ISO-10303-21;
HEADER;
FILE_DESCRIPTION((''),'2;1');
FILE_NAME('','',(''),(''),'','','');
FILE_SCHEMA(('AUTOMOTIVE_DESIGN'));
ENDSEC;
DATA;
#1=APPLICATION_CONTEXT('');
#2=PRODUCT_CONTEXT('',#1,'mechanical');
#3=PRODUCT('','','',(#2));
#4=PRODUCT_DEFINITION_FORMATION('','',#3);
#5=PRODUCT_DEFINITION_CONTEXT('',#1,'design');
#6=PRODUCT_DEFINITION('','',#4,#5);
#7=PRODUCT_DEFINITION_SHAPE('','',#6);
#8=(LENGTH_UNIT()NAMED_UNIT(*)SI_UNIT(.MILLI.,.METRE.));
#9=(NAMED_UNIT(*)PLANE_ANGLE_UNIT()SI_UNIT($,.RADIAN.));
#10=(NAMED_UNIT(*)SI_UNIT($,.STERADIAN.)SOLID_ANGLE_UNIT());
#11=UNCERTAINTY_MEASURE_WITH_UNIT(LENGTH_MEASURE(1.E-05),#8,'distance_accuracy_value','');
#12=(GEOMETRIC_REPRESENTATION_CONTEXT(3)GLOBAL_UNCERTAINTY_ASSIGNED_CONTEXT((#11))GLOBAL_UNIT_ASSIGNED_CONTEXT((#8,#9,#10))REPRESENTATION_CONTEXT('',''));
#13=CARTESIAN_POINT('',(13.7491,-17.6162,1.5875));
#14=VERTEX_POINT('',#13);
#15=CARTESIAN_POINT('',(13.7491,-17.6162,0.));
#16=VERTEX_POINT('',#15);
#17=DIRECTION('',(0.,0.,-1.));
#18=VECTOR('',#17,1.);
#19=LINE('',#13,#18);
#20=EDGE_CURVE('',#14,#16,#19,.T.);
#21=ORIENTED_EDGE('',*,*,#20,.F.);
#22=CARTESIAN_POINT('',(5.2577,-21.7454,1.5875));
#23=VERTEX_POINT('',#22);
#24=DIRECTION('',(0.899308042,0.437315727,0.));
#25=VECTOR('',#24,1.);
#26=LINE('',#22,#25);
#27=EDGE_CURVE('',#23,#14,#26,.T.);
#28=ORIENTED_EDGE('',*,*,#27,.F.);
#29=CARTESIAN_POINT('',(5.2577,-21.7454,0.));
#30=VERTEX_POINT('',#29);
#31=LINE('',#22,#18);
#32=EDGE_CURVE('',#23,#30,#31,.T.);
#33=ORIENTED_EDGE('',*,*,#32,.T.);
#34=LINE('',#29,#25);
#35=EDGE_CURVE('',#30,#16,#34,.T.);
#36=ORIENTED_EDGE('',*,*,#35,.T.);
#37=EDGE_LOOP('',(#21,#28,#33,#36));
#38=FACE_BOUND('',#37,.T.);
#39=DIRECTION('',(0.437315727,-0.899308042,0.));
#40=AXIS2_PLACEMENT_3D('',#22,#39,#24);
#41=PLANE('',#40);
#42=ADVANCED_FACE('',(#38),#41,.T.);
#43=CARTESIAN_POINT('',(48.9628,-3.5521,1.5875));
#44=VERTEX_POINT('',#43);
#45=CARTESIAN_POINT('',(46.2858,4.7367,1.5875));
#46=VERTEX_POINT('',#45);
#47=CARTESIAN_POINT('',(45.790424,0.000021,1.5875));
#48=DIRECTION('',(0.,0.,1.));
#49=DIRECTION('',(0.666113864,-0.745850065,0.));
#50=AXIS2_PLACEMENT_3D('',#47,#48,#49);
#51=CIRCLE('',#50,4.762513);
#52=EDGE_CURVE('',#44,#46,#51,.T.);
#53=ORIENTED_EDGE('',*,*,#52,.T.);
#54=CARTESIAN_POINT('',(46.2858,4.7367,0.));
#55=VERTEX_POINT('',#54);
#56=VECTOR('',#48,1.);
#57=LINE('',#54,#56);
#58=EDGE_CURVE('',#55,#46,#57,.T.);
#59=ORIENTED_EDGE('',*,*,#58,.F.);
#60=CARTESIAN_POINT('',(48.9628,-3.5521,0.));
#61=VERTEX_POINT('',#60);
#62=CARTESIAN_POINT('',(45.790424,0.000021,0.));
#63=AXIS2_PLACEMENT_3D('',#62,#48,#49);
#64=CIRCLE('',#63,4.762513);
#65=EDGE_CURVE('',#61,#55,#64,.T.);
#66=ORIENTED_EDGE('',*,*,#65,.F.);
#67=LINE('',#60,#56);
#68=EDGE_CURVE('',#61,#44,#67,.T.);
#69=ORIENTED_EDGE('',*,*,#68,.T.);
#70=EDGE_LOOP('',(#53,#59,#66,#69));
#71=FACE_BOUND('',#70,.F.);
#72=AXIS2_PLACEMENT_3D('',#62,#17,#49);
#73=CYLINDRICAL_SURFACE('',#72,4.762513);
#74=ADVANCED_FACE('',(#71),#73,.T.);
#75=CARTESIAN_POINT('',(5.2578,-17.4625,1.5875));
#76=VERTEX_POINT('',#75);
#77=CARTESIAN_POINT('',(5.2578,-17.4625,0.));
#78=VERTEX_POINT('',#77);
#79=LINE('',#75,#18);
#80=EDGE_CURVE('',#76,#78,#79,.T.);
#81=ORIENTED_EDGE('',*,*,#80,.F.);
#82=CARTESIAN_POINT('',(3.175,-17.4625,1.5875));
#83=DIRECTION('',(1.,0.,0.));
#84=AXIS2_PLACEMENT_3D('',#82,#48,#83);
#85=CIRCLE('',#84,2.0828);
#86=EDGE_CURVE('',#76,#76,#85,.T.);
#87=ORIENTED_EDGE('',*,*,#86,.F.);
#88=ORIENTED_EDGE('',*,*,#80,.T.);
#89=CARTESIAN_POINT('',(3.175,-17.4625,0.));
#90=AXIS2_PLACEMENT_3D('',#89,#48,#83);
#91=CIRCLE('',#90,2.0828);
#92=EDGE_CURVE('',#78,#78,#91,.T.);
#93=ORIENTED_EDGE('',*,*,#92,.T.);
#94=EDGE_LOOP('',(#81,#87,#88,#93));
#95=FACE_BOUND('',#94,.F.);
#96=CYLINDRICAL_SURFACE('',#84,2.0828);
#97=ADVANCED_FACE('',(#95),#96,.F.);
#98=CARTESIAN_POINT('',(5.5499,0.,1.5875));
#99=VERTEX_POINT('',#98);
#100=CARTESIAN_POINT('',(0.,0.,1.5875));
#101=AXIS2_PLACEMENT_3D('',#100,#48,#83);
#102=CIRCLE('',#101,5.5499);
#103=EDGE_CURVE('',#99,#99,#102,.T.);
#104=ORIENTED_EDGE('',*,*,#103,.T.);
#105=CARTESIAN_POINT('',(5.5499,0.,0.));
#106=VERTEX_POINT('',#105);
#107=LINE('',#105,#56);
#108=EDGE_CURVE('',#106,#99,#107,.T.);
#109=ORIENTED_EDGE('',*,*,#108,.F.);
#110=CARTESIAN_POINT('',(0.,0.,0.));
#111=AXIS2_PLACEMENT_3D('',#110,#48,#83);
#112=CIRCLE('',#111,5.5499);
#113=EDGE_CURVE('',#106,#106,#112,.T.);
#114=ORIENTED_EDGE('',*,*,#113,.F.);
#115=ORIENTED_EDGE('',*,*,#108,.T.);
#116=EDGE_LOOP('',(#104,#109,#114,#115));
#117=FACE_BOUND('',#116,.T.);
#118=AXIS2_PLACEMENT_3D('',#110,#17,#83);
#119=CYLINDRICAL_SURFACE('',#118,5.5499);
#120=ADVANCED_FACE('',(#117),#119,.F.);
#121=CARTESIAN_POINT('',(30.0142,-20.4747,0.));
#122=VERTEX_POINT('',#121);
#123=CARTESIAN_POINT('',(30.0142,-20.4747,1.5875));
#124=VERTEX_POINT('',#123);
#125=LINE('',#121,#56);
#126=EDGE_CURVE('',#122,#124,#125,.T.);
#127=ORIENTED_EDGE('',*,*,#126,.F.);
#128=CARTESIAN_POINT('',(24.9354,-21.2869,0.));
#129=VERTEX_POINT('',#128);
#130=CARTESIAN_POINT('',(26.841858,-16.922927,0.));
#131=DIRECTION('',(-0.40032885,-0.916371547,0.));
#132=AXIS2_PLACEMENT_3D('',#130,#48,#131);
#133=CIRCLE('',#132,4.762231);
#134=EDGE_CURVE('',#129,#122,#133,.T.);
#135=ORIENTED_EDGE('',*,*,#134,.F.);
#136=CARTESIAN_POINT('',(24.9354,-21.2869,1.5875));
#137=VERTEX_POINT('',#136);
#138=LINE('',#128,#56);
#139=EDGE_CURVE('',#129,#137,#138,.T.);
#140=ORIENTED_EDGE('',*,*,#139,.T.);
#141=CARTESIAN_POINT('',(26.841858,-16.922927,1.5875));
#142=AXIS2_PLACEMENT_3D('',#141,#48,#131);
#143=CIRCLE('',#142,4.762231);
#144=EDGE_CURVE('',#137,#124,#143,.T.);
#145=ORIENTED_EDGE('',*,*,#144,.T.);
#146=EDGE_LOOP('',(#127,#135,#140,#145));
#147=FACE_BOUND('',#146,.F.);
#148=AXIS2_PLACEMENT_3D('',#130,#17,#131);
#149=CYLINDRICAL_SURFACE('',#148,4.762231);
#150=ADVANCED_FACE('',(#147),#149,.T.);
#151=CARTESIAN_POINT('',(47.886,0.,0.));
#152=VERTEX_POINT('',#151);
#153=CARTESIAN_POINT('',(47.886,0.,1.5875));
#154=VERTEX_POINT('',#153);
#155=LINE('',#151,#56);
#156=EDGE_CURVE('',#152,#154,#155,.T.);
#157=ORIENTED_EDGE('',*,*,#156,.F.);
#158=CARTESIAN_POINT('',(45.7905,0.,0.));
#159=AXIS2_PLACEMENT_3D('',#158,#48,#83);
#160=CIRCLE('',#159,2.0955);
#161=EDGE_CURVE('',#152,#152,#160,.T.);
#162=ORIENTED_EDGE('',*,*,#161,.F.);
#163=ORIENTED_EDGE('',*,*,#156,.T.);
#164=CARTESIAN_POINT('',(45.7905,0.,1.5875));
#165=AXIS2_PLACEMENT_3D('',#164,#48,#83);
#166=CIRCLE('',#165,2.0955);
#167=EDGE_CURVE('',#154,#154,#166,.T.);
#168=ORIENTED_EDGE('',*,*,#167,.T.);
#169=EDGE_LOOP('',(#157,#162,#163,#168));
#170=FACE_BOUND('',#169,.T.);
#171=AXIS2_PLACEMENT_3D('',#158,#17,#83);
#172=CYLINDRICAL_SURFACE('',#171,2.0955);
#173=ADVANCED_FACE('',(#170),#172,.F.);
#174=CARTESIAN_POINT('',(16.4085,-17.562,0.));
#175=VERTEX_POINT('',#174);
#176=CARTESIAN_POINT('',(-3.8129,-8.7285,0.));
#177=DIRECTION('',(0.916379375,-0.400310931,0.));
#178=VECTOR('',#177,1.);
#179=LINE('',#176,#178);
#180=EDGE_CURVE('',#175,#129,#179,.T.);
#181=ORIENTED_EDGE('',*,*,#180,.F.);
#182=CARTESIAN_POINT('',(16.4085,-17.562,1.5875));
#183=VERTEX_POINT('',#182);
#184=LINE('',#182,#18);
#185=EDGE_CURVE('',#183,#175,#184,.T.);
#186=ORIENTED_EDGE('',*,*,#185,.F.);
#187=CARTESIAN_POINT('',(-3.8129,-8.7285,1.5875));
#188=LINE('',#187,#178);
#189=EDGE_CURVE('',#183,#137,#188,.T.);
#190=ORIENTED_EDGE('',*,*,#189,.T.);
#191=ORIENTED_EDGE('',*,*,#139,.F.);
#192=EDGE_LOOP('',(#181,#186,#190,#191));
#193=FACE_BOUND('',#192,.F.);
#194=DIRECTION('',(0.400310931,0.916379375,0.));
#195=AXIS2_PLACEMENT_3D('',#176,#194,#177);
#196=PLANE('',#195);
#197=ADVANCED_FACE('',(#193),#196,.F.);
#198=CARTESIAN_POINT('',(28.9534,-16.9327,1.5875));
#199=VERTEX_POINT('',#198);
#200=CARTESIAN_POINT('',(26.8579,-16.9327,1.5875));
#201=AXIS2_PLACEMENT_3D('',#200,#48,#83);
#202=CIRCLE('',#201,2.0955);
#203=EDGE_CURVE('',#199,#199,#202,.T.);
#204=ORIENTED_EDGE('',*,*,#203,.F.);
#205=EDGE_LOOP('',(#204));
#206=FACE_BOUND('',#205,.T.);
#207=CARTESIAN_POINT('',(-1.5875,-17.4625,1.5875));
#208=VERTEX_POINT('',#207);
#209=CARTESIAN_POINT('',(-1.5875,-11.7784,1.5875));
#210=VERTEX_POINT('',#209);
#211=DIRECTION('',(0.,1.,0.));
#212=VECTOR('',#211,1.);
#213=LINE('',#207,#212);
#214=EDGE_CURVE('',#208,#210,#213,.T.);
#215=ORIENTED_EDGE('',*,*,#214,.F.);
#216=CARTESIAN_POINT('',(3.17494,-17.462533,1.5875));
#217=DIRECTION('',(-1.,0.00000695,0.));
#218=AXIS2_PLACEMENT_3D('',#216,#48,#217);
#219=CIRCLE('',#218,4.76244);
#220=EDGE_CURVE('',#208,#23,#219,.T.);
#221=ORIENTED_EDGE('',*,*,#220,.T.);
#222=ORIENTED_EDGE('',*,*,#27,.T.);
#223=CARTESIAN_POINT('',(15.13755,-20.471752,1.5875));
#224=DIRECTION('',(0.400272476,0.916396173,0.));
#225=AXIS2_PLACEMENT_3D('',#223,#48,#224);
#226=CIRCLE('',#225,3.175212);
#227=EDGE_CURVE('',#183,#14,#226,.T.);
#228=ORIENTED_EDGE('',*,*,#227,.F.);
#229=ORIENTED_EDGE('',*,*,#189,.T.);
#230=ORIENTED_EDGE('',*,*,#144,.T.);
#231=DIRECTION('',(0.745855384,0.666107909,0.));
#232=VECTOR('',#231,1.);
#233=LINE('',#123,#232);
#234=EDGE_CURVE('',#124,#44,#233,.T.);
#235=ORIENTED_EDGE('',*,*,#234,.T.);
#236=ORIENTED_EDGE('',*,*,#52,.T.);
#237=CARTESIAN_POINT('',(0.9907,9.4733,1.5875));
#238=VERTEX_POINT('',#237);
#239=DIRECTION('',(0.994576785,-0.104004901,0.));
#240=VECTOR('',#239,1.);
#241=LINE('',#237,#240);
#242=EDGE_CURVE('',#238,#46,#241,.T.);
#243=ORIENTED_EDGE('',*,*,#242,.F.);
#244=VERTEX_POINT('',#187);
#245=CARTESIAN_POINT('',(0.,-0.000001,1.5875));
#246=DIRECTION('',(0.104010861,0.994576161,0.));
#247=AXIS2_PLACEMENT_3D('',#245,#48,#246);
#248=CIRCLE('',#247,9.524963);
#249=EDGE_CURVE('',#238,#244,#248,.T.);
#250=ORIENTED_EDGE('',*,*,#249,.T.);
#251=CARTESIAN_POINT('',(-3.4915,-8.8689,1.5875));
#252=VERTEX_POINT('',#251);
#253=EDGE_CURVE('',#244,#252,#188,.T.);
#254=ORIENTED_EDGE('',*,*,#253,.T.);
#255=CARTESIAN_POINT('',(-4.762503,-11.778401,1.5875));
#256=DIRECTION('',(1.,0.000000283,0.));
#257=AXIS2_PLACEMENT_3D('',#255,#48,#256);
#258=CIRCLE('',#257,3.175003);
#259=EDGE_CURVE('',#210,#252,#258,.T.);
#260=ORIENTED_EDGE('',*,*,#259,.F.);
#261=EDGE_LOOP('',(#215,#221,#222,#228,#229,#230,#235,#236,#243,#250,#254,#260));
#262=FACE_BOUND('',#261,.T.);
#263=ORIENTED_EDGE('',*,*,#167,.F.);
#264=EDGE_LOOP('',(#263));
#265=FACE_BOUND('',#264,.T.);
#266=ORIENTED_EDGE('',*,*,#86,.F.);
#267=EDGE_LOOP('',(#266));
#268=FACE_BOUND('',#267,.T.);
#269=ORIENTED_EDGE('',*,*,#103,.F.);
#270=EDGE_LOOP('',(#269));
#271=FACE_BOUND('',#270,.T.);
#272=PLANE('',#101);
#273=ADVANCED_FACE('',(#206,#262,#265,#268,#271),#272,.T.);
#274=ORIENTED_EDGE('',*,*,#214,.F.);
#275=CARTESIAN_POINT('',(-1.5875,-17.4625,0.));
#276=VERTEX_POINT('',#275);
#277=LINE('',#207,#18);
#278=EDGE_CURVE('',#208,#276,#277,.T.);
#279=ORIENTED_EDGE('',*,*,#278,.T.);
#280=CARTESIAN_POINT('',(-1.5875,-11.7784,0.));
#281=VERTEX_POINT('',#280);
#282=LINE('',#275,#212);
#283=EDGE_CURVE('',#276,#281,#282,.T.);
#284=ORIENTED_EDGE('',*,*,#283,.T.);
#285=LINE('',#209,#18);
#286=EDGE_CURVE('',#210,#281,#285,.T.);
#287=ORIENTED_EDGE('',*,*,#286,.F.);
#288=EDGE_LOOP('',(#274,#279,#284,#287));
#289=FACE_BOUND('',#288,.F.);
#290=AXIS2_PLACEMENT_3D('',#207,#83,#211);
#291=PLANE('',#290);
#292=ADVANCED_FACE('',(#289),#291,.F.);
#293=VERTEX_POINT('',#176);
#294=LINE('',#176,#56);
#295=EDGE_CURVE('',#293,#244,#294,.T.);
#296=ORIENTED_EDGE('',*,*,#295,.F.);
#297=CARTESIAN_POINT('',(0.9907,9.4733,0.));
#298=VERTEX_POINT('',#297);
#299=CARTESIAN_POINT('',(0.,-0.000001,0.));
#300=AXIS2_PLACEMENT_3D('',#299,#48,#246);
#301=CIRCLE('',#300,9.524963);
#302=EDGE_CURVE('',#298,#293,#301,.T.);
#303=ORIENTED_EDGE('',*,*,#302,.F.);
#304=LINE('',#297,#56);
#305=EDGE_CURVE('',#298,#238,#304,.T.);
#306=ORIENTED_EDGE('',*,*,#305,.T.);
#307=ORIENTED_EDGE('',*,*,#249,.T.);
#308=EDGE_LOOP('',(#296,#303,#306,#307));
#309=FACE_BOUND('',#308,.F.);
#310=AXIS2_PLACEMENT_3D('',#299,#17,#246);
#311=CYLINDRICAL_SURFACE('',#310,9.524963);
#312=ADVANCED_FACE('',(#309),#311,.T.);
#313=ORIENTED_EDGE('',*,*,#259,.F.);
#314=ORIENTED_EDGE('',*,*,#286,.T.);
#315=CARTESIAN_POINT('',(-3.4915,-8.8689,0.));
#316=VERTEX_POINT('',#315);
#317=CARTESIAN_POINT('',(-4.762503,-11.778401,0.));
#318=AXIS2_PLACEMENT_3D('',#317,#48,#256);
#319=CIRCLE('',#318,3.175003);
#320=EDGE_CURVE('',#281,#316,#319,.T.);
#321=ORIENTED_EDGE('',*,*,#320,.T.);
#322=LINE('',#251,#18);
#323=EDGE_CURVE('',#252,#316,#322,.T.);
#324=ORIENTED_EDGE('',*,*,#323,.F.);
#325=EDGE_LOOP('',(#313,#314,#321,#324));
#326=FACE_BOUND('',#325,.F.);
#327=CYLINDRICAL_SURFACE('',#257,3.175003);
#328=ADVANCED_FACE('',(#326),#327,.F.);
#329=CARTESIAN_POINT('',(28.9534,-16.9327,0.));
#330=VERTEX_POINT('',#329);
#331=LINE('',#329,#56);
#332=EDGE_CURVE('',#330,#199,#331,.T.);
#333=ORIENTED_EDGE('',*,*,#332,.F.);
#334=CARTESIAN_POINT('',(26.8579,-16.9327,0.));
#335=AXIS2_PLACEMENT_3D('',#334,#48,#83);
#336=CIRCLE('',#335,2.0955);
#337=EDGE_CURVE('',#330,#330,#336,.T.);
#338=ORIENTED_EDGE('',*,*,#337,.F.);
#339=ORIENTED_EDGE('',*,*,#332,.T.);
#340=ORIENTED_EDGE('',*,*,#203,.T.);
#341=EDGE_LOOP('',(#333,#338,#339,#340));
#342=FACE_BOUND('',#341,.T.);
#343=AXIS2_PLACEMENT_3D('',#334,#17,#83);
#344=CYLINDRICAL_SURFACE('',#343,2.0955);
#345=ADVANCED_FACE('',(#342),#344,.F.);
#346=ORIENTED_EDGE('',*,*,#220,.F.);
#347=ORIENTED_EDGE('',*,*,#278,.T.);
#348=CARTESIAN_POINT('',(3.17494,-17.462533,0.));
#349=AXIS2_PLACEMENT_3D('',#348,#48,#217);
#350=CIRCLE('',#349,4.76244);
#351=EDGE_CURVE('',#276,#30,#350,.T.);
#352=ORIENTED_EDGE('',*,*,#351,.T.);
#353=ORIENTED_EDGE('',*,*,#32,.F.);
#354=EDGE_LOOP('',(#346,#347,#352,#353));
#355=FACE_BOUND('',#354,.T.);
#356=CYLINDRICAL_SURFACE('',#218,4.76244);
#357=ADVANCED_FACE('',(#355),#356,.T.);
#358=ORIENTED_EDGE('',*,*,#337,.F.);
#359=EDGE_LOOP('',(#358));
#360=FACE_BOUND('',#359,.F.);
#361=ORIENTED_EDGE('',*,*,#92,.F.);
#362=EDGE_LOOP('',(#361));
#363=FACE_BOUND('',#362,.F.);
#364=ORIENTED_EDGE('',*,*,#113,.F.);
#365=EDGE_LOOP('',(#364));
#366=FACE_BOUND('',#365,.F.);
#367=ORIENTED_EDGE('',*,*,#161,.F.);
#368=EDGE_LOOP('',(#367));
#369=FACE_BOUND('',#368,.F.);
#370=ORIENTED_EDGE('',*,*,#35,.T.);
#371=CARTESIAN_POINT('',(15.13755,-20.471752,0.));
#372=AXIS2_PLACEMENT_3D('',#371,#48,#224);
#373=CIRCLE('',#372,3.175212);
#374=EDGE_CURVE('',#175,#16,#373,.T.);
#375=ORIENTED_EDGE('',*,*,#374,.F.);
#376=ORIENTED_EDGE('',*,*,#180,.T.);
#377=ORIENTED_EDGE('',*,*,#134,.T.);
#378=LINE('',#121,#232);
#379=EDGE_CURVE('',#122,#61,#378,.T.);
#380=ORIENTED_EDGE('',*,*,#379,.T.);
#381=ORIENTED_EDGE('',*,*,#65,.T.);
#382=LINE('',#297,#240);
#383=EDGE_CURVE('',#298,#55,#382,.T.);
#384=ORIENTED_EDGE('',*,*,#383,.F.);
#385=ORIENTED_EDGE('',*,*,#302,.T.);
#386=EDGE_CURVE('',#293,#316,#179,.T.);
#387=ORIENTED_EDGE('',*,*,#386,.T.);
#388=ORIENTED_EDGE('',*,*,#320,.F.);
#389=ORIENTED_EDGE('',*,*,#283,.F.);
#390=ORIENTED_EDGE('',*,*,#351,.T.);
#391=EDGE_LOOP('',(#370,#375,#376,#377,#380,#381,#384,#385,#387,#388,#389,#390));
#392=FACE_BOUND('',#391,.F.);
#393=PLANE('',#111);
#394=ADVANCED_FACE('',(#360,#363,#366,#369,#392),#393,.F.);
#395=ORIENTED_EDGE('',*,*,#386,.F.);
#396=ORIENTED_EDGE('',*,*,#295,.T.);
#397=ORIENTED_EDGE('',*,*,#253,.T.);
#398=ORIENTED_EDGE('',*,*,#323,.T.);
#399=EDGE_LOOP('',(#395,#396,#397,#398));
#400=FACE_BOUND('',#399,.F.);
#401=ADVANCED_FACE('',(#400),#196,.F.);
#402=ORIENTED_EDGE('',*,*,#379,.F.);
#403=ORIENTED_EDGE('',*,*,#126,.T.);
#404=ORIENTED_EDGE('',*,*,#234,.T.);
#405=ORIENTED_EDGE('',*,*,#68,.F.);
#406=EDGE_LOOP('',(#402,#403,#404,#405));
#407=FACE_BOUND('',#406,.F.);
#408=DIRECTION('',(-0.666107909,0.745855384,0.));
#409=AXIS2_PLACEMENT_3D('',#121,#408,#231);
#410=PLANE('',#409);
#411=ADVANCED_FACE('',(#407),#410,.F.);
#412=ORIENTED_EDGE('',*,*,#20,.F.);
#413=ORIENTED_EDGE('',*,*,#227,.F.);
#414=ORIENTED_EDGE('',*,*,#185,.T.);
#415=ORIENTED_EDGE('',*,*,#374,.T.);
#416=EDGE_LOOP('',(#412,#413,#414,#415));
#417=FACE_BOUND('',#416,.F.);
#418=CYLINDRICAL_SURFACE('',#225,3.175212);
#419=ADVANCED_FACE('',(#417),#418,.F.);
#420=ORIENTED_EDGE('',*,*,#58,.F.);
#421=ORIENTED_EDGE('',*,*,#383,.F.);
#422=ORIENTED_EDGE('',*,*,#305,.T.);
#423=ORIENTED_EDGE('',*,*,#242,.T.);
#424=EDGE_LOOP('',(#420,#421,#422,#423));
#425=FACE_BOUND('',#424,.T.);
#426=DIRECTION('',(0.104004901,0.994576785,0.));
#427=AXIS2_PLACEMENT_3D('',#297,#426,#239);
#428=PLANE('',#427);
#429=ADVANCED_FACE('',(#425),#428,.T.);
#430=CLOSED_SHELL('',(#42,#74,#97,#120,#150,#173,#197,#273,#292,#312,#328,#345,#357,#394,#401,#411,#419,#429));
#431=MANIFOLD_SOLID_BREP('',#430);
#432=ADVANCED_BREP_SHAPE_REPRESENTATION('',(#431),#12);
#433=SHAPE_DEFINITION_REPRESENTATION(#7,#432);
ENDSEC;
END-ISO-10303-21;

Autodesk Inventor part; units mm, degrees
ref_plane "YZ Plane" through (0, 0, 0) normal (1, 0, 0) x (0, 1, 0)
ref_plane "XZ Plane" through (0, 0, 0) normal (0, 1, 0) x (-1, 0, 0)
ref_plane "XY Plane" through (0, 0, 0) normal (0, 0, 1) x (1, 0, 0)
sketch "Sketch1" plane through (0, 0, 0) normal (0, 0, 1) x (1, 0, 0)
  circle A0 centre (0, 0) radius 5.5499
  circle A1 centre (45.7905, 0) radius 2.0955
  circle A2 centre (26.8579, -16.9327) radius 2.0955
  arc A3 (0.9907, 9.4733) -> (-3.8129, -8.7285) centre (0, 0) ccw
  arc A4 (48.9628, -3.5521) -> (46.2858, 4.7367) centre (45.7905, 0) ccw
  arc A5 (24.9354, -21.2869) -> (30.0142, -20.4747) centre (26.8419, -16.9226) ccw
  line L0 (0.9907, 9.4733) -> (46.2858, 4.7367)
  line L1 (30.0142, -20.4747) -> (48.9628, -3.5521)
  line L2 (-3.8129, -8.7285) -> (24.9354, -21.2869)
  dimension "d0" = 11.0998
  dimension "d12" = 4.191
  dimension "d15" = 4.191
  dimension "d16" = 19.05
  dimension "d17" = 9.525
  dimension "d18" = 9.525
extrude "Extrusion1" add sketch "Sketch1" along normal blind 1.5875
sketch "Sketch2" plane through (0, 0, 1.5875) normal (0, 0, 1) x (1, 0, 0)
  circle A0 centre (3.175, -17.4625) radius 2.0828
  arc A1 (-1.5875, -17.4625) -> (5.2577, -21.7454) centre (3.175, -17.4625) ccw
  line L0 (-1.5875, -17.4625) -> (-1.5875, -11.7784)
  line L1 (-3.8129, -8.7285) -> (24.9354, -21.2869) projected
  arc A2 (-1.5875, -11.7784) -> (-3.4915, -8.8689) centre (-4.7625, -11.7784) ccw
  line L2 (5.2577, -21.7454) -> (13.7491, -17.6162)
  arc A3 (24.9354, -21.2869) -> (30.0142, -20.4747) centre (26.8419, -16.9226) ccw projected
  arc A4 (16.4085, -17.562) -> (13.7491, -17.6162) centre (15.1376, -20.4715) ccw
  point P0 (0, 0)
  point P1 (-1.5875, -9.7007)
  point P2 (15.0663, -16.9757)
  dimension "d19" = 4.1656
  dimension "d20" = 3.175
  dimension "d21" = 3.175
extrude "Extrusion2" add sketch "Sketch2" against normal blind 1.5875
properties part number "gear_gusset" material "Acetal Resin, White"
